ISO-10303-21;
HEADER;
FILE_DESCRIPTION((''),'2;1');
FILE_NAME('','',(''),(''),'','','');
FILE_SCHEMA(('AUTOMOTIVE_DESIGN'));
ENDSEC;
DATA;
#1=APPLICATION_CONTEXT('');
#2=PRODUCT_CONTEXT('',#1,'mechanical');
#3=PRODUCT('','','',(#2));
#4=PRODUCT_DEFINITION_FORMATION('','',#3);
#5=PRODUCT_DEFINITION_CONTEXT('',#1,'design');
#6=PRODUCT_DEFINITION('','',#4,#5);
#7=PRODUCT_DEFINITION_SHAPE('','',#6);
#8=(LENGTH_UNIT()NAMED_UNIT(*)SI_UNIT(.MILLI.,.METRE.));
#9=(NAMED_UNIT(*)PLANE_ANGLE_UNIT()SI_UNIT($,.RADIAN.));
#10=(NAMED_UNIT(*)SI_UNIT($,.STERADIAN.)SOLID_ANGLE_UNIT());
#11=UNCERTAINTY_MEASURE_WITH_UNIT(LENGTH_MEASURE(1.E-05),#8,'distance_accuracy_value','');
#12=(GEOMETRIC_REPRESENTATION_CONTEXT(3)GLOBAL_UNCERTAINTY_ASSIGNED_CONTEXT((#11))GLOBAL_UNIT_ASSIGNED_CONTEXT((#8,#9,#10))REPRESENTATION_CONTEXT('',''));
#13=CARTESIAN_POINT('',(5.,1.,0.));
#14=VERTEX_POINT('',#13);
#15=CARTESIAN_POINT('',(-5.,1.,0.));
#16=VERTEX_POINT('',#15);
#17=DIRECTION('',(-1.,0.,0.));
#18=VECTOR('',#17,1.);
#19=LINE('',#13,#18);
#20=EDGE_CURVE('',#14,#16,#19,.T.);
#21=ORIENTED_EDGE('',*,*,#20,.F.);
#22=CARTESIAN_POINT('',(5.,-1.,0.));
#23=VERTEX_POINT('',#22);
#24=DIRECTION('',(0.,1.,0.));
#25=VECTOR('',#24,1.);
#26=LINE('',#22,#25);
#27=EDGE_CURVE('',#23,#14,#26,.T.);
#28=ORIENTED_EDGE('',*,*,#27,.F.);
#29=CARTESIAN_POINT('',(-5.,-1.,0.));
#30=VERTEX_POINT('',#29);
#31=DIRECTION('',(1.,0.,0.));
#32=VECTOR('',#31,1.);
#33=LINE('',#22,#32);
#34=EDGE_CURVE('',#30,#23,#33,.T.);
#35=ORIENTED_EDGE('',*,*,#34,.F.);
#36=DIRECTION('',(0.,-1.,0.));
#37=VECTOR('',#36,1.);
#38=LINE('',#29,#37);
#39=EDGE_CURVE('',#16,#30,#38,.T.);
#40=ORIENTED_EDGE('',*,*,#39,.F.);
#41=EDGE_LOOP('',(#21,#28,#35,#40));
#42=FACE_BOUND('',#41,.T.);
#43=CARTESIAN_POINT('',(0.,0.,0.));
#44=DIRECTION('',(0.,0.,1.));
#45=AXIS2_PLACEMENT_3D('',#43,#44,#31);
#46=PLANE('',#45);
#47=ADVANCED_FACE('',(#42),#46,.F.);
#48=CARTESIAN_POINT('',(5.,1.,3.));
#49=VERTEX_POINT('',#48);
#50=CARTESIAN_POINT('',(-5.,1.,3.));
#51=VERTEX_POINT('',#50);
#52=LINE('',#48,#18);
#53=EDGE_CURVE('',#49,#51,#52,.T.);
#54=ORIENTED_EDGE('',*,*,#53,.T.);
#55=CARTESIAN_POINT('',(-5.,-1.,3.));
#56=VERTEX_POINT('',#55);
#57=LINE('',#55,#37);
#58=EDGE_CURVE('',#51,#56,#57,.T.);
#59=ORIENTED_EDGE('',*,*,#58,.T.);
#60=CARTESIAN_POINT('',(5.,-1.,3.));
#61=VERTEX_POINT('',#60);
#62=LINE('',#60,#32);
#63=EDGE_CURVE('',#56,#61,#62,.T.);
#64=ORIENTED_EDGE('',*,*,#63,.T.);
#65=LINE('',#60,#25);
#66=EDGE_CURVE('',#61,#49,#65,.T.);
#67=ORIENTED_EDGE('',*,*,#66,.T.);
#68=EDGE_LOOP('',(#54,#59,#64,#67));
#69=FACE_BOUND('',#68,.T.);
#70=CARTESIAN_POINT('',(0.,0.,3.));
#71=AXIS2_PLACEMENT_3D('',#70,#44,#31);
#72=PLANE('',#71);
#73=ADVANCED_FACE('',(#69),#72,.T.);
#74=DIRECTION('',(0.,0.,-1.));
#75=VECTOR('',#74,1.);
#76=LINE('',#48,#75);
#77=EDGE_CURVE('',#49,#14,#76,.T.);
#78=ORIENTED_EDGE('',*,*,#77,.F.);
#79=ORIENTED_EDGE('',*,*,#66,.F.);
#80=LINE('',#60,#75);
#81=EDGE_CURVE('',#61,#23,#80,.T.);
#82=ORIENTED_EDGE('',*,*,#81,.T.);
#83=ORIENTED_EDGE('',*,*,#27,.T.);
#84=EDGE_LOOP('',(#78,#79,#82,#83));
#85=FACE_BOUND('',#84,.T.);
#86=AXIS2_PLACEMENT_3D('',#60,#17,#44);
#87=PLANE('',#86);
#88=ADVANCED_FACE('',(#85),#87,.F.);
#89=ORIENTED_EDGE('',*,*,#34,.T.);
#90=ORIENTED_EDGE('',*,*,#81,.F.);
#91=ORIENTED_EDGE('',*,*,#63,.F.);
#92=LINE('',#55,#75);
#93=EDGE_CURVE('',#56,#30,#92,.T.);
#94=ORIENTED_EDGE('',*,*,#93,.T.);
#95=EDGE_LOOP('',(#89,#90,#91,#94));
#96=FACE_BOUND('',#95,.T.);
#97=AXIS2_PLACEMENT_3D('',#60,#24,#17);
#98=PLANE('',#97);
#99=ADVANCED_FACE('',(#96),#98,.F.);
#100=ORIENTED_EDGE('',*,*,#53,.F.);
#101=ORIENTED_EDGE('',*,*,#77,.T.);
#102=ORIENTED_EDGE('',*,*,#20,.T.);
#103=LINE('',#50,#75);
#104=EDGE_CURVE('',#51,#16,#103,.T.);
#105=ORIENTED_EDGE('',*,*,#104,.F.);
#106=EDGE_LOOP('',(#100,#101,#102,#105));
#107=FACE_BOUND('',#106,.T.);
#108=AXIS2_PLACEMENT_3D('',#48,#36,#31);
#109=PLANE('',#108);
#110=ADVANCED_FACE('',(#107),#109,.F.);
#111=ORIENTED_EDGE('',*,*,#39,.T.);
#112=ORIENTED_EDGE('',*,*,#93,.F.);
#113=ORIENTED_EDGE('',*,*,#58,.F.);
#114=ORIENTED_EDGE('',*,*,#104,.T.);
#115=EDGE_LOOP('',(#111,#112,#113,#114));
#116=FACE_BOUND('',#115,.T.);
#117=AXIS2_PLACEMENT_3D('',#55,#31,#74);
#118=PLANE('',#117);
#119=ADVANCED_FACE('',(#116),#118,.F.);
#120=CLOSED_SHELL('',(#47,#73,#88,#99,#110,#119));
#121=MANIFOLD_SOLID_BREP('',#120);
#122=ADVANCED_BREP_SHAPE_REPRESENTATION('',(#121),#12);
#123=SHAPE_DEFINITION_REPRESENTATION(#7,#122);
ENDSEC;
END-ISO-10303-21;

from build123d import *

# Parameters (mm, degrees)
ESBO_O1_W                = 10
ESBO_O1_H                = 2
RESSALTO_EXTRUS_O1_DEPTH = 3


with BuildPart() as part:
    # Esboço1 → Ressalto-extrusão1 (new body)
    with BuildSketch(Plane.XY):
        Rectangle(ESBO_O1_W, ESBO_O1_H)
    extrude(amount=RESSALTO_EXTRUS_O1_DEPTH)


solid = part.part
